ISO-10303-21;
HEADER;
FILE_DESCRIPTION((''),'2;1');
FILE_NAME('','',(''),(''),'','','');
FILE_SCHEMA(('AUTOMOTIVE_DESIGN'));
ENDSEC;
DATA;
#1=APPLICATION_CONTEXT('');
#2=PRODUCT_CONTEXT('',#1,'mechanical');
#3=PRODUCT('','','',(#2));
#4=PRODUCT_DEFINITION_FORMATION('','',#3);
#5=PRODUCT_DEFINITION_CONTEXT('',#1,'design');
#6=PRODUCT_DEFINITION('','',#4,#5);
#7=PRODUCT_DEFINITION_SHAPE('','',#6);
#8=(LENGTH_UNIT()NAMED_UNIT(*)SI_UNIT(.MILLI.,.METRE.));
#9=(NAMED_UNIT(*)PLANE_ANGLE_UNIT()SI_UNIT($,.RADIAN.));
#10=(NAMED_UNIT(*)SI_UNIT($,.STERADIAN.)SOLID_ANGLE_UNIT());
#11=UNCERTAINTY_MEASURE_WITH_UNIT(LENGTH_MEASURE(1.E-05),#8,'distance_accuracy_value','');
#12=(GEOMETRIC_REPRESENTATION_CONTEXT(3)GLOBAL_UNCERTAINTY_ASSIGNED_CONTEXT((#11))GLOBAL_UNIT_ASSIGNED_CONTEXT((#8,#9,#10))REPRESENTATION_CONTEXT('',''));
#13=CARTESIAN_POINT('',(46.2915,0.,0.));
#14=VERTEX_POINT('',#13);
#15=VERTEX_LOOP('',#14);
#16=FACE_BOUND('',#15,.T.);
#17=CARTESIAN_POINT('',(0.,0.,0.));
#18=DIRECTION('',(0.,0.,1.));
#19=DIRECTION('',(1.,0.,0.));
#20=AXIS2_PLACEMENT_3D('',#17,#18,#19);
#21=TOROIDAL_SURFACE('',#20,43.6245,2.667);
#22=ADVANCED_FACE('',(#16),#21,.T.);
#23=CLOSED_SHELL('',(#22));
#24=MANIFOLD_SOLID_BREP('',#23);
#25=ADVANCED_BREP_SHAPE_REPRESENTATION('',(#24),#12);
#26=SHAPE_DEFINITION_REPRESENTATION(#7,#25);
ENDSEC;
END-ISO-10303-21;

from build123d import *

# Parameters (mm, degrees)
SKETCH1_R = 2.667


with BuildPart() as part:
    # Sketch1 → Revolve1 (revolve)
    with BuildSketch(Plane(origin=(0, 0, 0), x_dir=(0, -1, 0), z_dir=(1, 0, 0)), mode=Mode.PRIVATE) as revolve1_sk:
        with Locations((43.6245, 0)):
            Circle(SKETCH1_R)
    revolve(revolve1_sk.sketch.rotate(Axis((0, 0, 2.667), (0, 0, -1)), 270), axis=Axis((0, 0, 2.667), (0, 0, -1)))


solid = part.part
